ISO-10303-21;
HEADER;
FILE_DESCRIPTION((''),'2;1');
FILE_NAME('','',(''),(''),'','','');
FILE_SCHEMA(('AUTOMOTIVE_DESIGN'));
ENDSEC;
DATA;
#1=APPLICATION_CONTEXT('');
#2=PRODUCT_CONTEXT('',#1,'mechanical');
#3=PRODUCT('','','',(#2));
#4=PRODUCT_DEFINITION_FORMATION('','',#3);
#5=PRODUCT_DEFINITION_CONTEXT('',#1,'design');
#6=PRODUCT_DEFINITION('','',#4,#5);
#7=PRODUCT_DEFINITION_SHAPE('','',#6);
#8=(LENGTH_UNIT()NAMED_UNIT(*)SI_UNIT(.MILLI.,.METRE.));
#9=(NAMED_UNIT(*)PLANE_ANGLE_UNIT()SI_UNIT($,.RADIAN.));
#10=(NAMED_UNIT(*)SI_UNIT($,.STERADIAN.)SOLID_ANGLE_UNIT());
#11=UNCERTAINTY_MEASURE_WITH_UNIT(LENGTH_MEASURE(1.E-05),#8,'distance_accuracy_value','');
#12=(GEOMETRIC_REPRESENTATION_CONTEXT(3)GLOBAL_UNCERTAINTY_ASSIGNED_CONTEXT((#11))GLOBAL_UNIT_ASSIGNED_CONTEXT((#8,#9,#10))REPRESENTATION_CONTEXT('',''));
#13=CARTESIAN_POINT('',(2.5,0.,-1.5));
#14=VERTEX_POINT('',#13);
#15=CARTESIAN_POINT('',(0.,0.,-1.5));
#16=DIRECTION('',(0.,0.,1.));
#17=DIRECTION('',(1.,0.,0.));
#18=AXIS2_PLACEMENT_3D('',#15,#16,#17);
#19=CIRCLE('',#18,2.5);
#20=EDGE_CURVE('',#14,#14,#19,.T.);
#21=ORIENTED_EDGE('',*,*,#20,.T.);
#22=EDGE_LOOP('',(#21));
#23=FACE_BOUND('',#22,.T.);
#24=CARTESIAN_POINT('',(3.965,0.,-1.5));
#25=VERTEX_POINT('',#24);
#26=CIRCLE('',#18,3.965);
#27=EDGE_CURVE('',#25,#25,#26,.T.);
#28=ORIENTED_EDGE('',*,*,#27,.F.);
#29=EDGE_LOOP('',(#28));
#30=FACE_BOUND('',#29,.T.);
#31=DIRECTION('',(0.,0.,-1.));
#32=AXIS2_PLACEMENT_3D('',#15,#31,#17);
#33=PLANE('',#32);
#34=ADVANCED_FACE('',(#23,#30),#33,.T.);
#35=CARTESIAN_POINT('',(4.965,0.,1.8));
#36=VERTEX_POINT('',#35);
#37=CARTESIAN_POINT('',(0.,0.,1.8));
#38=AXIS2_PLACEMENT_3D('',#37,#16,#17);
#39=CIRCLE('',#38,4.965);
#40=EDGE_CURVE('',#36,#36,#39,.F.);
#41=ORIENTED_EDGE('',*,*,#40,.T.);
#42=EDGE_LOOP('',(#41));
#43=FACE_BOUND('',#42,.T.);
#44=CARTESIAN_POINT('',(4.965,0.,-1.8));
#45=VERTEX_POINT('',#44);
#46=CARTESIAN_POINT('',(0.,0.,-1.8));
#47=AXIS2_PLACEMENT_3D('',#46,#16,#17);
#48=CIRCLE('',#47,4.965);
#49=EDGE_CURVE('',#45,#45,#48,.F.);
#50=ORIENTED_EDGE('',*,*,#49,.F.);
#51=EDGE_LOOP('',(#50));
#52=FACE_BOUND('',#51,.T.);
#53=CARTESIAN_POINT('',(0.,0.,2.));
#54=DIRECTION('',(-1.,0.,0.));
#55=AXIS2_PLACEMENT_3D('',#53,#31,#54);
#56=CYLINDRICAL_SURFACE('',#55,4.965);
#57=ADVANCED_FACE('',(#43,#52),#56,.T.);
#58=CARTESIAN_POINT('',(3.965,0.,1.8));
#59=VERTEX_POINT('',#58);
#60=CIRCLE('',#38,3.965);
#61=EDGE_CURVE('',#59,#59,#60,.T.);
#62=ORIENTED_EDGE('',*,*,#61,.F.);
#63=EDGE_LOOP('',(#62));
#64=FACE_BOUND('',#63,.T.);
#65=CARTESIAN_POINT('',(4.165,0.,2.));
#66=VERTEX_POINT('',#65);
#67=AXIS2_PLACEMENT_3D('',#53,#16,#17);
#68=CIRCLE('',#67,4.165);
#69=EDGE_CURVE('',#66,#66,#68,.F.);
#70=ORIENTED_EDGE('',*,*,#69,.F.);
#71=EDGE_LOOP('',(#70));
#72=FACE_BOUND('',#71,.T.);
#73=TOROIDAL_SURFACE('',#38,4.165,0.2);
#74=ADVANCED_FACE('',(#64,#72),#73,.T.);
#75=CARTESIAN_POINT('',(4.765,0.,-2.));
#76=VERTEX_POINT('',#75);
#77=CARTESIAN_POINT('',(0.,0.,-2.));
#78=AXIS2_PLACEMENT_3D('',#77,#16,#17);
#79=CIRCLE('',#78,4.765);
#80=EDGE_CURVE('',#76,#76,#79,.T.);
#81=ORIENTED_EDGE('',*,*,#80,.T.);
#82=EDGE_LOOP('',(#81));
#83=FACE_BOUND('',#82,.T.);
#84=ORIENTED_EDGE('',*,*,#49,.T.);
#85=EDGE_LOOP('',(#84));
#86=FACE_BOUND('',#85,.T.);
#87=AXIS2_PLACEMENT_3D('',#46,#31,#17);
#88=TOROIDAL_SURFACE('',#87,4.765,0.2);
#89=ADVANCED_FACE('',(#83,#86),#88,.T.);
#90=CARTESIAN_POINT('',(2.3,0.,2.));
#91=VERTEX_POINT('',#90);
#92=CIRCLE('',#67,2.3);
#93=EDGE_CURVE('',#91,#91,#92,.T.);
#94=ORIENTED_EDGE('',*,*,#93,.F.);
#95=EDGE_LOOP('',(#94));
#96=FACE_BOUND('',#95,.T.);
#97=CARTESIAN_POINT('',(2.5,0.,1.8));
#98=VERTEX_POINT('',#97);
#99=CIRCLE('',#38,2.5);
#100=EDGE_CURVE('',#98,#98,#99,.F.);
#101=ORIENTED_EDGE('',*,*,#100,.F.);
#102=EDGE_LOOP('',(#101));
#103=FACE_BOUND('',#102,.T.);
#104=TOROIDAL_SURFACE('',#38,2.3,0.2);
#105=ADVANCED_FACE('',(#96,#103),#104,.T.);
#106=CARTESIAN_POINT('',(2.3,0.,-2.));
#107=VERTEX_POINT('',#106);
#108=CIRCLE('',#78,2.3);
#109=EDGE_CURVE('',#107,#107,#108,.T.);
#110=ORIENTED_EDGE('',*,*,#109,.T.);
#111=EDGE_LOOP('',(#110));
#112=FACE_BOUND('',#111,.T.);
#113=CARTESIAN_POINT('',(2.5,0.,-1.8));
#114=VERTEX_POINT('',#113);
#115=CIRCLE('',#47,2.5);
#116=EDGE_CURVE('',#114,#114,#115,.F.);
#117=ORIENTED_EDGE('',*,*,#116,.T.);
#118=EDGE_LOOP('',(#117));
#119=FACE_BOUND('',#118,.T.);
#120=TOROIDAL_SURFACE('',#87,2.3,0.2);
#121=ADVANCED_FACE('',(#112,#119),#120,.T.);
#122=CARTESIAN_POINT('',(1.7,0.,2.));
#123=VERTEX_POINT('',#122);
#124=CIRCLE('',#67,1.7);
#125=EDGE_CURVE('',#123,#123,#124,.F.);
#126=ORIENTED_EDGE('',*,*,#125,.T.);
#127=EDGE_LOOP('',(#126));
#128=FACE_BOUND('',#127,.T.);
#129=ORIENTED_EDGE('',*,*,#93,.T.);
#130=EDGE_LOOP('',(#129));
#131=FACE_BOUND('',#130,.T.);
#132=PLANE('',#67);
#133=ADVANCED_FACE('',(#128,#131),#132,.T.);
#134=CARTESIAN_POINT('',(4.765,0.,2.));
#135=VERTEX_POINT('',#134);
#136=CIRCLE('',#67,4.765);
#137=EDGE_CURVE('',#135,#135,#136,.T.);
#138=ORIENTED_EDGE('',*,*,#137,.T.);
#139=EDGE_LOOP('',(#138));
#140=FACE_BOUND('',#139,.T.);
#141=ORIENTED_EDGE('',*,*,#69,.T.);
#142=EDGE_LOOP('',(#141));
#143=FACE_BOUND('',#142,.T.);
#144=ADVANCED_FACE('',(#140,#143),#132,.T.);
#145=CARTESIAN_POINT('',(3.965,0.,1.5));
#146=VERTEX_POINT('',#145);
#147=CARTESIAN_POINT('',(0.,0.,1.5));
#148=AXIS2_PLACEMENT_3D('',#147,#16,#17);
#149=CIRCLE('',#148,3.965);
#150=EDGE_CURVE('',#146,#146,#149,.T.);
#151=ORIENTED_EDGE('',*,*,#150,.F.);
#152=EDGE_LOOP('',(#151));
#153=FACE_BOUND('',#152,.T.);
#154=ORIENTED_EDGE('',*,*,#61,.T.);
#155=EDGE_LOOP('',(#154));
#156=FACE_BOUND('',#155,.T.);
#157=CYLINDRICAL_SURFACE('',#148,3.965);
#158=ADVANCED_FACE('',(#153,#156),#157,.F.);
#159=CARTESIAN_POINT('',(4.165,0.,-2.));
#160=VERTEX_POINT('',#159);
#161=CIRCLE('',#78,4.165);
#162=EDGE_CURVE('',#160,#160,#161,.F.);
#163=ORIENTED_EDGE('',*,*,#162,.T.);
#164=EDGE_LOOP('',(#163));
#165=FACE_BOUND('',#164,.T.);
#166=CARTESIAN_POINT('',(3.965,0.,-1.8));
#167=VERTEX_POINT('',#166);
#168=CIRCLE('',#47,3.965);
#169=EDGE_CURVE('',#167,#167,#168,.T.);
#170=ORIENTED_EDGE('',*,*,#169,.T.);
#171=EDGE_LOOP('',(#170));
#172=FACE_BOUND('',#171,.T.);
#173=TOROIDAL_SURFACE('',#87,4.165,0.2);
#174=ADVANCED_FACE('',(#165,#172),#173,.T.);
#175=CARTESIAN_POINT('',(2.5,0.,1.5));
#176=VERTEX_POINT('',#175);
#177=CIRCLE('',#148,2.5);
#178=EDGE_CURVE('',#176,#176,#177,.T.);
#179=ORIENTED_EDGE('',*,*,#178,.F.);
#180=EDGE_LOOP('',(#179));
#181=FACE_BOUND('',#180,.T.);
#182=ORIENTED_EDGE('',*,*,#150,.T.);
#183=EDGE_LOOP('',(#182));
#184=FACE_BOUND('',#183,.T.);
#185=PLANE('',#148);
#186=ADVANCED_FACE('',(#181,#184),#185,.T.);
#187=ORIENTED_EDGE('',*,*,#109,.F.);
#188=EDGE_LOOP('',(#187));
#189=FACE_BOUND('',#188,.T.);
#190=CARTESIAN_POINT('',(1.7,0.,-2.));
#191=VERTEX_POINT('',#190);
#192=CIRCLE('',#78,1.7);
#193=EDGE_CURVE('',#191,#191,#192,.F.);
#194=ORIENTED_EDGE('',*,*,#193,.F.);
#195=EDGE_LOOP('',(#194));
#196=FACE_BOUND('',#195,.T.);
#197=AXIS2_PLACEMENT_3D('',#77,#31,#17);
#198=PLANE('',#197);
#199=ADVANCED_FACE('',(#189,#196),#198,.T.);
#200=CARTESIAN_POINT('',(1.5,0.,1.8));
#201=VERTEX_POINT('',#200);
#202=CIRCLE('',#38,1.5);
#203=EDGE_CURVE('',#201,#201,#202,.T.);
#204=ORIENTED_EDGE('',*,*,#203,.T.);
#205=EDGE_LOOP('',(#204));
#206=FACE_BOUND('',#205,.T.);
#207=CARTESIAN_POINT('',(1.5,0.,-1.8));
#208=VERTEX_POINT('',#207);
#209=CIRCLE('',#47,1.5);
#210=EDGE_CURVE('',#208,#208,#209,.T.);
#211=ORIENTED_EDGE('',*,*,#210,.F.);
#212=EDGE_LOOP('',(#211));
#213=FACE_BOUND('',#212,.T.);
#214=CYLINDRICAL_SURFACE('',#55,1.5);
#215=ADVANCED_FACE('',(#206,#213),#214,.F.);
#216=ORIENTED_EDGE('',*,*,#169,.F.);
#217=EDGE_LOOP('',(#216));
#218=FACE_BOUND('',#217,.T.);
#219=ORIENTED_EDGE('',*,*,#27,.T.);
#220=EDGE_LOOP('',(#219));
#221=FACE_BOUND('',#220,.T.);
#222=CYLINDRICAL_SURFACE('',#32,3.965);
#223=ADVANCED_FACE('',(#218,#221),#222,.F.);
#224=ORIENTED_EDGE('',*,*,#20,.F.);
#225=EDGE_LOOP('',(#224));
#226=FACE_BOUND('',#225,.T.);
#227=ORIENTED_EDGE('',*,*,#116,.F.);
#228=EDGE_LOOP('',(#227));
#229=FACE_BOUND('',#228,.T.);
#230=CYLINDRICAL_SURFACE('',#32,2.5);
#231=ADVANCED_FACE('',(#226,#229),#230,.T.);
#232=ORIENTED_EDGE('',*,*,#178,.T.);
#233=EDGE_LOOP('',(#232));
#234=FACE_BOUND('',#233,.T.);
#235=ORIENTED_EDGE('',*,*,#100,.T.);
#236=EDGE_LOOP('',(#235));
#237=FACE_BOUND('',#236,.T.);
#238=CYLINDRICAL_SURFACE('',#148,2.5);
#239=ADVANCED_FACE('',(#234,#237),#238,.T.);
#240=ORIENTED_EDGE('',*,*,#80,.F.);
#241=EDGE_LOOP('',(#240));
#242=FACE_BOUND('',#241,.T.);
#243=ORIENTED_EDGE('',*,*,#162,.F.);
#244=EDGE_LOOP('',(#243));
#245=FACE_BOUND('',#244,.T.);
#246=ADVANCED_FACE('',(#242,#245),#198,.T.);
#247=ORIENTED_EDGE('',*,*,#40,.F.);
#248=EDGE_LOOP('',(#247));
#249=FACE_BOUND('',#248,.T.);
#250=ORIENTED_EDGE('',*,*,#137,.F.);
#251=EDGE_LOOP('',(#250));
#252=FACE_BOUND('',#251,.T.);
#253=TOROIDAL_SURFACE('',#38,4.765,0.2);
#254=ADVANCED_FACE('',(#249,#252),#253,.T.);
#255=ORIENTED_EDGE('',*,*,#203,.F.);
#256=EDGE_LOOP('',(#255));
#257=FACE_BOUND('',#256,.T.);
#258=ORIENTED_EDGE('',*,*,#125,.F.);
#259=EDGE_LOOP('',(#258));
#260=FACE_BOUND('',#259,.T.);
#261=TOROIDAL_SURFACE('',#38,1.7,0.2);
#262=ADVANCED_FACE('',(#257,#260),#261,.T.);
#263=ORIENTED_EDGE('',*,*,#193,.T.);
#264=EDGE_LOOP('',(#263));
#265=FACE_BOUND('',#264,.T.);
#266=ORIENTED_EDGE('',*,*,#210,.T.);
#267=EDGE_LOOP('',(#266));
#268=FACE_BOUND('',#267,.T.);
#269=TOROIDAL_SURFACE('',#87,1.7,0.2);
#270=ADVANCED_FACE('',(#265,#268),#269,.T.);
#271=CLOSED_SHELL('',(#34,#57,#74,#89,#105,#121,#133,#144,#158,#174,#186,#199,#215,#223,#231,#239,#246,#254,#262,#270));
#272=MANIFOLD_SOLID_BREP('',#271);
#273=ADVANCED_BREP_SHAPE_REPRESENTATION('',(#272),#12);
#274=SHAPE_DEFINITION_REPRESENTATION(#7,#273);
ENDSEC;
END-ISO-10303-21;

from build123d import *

# Parameters (mm, degrees)
CROQUIS1_R              = 4.965
CROQUIS1_R_2            = 1.5
SALIENTE_EXTRUIR1_DEPTH = 2
CROQUIS2_R              = 3.965
CROQUIS2_R_2            = 2.5
CORTAR_EXTRUIR1_DEPTH   = 0.5
REDONDEO1_R             = 0.2


with BuildPart() as part:
    # Croquis1 → Saliente-Extruir1 (new body)
    with BuildSketch(Plane.XY):
        Circle(CROQUIS1_R)
        Circle(CROQUIS1_R_2, mode=Mode.SUBTRACT)
    extrude(amount=SALIENTE_EXTRUIR1_DEPTH)

    # Croquis2 → Cortar-Extruir1 (cut)
    with BuildSketch(Plane.XY.offset(2)):
        Circle(CROQUIS2_R)
        Circle(CROQUIS2_R_2, mode=Mode.SUBTRACT)
    extrude(amount=-CORTAR_EXTRUIR1_DEPTH, mode=Mode.SUBTRACT)

    # Redondeo1
    redondeo1_edges = [part.edges().sort_by_distance(p)[0] for p in [
        (-3.965, 0, 2),
        (-2.5, 0, 2),
        (-4.965, 0, 2),
        (-1.5, 0, 2),
    ]]
    fillet(redondeo1_edges, radius=REDONDEO1_R)

    # Simetría3: part across plane


with BuildPart() as part_1:
    add(part.part)
    add(part.part.mirror(Plane.XY))


solid = part_1.part
